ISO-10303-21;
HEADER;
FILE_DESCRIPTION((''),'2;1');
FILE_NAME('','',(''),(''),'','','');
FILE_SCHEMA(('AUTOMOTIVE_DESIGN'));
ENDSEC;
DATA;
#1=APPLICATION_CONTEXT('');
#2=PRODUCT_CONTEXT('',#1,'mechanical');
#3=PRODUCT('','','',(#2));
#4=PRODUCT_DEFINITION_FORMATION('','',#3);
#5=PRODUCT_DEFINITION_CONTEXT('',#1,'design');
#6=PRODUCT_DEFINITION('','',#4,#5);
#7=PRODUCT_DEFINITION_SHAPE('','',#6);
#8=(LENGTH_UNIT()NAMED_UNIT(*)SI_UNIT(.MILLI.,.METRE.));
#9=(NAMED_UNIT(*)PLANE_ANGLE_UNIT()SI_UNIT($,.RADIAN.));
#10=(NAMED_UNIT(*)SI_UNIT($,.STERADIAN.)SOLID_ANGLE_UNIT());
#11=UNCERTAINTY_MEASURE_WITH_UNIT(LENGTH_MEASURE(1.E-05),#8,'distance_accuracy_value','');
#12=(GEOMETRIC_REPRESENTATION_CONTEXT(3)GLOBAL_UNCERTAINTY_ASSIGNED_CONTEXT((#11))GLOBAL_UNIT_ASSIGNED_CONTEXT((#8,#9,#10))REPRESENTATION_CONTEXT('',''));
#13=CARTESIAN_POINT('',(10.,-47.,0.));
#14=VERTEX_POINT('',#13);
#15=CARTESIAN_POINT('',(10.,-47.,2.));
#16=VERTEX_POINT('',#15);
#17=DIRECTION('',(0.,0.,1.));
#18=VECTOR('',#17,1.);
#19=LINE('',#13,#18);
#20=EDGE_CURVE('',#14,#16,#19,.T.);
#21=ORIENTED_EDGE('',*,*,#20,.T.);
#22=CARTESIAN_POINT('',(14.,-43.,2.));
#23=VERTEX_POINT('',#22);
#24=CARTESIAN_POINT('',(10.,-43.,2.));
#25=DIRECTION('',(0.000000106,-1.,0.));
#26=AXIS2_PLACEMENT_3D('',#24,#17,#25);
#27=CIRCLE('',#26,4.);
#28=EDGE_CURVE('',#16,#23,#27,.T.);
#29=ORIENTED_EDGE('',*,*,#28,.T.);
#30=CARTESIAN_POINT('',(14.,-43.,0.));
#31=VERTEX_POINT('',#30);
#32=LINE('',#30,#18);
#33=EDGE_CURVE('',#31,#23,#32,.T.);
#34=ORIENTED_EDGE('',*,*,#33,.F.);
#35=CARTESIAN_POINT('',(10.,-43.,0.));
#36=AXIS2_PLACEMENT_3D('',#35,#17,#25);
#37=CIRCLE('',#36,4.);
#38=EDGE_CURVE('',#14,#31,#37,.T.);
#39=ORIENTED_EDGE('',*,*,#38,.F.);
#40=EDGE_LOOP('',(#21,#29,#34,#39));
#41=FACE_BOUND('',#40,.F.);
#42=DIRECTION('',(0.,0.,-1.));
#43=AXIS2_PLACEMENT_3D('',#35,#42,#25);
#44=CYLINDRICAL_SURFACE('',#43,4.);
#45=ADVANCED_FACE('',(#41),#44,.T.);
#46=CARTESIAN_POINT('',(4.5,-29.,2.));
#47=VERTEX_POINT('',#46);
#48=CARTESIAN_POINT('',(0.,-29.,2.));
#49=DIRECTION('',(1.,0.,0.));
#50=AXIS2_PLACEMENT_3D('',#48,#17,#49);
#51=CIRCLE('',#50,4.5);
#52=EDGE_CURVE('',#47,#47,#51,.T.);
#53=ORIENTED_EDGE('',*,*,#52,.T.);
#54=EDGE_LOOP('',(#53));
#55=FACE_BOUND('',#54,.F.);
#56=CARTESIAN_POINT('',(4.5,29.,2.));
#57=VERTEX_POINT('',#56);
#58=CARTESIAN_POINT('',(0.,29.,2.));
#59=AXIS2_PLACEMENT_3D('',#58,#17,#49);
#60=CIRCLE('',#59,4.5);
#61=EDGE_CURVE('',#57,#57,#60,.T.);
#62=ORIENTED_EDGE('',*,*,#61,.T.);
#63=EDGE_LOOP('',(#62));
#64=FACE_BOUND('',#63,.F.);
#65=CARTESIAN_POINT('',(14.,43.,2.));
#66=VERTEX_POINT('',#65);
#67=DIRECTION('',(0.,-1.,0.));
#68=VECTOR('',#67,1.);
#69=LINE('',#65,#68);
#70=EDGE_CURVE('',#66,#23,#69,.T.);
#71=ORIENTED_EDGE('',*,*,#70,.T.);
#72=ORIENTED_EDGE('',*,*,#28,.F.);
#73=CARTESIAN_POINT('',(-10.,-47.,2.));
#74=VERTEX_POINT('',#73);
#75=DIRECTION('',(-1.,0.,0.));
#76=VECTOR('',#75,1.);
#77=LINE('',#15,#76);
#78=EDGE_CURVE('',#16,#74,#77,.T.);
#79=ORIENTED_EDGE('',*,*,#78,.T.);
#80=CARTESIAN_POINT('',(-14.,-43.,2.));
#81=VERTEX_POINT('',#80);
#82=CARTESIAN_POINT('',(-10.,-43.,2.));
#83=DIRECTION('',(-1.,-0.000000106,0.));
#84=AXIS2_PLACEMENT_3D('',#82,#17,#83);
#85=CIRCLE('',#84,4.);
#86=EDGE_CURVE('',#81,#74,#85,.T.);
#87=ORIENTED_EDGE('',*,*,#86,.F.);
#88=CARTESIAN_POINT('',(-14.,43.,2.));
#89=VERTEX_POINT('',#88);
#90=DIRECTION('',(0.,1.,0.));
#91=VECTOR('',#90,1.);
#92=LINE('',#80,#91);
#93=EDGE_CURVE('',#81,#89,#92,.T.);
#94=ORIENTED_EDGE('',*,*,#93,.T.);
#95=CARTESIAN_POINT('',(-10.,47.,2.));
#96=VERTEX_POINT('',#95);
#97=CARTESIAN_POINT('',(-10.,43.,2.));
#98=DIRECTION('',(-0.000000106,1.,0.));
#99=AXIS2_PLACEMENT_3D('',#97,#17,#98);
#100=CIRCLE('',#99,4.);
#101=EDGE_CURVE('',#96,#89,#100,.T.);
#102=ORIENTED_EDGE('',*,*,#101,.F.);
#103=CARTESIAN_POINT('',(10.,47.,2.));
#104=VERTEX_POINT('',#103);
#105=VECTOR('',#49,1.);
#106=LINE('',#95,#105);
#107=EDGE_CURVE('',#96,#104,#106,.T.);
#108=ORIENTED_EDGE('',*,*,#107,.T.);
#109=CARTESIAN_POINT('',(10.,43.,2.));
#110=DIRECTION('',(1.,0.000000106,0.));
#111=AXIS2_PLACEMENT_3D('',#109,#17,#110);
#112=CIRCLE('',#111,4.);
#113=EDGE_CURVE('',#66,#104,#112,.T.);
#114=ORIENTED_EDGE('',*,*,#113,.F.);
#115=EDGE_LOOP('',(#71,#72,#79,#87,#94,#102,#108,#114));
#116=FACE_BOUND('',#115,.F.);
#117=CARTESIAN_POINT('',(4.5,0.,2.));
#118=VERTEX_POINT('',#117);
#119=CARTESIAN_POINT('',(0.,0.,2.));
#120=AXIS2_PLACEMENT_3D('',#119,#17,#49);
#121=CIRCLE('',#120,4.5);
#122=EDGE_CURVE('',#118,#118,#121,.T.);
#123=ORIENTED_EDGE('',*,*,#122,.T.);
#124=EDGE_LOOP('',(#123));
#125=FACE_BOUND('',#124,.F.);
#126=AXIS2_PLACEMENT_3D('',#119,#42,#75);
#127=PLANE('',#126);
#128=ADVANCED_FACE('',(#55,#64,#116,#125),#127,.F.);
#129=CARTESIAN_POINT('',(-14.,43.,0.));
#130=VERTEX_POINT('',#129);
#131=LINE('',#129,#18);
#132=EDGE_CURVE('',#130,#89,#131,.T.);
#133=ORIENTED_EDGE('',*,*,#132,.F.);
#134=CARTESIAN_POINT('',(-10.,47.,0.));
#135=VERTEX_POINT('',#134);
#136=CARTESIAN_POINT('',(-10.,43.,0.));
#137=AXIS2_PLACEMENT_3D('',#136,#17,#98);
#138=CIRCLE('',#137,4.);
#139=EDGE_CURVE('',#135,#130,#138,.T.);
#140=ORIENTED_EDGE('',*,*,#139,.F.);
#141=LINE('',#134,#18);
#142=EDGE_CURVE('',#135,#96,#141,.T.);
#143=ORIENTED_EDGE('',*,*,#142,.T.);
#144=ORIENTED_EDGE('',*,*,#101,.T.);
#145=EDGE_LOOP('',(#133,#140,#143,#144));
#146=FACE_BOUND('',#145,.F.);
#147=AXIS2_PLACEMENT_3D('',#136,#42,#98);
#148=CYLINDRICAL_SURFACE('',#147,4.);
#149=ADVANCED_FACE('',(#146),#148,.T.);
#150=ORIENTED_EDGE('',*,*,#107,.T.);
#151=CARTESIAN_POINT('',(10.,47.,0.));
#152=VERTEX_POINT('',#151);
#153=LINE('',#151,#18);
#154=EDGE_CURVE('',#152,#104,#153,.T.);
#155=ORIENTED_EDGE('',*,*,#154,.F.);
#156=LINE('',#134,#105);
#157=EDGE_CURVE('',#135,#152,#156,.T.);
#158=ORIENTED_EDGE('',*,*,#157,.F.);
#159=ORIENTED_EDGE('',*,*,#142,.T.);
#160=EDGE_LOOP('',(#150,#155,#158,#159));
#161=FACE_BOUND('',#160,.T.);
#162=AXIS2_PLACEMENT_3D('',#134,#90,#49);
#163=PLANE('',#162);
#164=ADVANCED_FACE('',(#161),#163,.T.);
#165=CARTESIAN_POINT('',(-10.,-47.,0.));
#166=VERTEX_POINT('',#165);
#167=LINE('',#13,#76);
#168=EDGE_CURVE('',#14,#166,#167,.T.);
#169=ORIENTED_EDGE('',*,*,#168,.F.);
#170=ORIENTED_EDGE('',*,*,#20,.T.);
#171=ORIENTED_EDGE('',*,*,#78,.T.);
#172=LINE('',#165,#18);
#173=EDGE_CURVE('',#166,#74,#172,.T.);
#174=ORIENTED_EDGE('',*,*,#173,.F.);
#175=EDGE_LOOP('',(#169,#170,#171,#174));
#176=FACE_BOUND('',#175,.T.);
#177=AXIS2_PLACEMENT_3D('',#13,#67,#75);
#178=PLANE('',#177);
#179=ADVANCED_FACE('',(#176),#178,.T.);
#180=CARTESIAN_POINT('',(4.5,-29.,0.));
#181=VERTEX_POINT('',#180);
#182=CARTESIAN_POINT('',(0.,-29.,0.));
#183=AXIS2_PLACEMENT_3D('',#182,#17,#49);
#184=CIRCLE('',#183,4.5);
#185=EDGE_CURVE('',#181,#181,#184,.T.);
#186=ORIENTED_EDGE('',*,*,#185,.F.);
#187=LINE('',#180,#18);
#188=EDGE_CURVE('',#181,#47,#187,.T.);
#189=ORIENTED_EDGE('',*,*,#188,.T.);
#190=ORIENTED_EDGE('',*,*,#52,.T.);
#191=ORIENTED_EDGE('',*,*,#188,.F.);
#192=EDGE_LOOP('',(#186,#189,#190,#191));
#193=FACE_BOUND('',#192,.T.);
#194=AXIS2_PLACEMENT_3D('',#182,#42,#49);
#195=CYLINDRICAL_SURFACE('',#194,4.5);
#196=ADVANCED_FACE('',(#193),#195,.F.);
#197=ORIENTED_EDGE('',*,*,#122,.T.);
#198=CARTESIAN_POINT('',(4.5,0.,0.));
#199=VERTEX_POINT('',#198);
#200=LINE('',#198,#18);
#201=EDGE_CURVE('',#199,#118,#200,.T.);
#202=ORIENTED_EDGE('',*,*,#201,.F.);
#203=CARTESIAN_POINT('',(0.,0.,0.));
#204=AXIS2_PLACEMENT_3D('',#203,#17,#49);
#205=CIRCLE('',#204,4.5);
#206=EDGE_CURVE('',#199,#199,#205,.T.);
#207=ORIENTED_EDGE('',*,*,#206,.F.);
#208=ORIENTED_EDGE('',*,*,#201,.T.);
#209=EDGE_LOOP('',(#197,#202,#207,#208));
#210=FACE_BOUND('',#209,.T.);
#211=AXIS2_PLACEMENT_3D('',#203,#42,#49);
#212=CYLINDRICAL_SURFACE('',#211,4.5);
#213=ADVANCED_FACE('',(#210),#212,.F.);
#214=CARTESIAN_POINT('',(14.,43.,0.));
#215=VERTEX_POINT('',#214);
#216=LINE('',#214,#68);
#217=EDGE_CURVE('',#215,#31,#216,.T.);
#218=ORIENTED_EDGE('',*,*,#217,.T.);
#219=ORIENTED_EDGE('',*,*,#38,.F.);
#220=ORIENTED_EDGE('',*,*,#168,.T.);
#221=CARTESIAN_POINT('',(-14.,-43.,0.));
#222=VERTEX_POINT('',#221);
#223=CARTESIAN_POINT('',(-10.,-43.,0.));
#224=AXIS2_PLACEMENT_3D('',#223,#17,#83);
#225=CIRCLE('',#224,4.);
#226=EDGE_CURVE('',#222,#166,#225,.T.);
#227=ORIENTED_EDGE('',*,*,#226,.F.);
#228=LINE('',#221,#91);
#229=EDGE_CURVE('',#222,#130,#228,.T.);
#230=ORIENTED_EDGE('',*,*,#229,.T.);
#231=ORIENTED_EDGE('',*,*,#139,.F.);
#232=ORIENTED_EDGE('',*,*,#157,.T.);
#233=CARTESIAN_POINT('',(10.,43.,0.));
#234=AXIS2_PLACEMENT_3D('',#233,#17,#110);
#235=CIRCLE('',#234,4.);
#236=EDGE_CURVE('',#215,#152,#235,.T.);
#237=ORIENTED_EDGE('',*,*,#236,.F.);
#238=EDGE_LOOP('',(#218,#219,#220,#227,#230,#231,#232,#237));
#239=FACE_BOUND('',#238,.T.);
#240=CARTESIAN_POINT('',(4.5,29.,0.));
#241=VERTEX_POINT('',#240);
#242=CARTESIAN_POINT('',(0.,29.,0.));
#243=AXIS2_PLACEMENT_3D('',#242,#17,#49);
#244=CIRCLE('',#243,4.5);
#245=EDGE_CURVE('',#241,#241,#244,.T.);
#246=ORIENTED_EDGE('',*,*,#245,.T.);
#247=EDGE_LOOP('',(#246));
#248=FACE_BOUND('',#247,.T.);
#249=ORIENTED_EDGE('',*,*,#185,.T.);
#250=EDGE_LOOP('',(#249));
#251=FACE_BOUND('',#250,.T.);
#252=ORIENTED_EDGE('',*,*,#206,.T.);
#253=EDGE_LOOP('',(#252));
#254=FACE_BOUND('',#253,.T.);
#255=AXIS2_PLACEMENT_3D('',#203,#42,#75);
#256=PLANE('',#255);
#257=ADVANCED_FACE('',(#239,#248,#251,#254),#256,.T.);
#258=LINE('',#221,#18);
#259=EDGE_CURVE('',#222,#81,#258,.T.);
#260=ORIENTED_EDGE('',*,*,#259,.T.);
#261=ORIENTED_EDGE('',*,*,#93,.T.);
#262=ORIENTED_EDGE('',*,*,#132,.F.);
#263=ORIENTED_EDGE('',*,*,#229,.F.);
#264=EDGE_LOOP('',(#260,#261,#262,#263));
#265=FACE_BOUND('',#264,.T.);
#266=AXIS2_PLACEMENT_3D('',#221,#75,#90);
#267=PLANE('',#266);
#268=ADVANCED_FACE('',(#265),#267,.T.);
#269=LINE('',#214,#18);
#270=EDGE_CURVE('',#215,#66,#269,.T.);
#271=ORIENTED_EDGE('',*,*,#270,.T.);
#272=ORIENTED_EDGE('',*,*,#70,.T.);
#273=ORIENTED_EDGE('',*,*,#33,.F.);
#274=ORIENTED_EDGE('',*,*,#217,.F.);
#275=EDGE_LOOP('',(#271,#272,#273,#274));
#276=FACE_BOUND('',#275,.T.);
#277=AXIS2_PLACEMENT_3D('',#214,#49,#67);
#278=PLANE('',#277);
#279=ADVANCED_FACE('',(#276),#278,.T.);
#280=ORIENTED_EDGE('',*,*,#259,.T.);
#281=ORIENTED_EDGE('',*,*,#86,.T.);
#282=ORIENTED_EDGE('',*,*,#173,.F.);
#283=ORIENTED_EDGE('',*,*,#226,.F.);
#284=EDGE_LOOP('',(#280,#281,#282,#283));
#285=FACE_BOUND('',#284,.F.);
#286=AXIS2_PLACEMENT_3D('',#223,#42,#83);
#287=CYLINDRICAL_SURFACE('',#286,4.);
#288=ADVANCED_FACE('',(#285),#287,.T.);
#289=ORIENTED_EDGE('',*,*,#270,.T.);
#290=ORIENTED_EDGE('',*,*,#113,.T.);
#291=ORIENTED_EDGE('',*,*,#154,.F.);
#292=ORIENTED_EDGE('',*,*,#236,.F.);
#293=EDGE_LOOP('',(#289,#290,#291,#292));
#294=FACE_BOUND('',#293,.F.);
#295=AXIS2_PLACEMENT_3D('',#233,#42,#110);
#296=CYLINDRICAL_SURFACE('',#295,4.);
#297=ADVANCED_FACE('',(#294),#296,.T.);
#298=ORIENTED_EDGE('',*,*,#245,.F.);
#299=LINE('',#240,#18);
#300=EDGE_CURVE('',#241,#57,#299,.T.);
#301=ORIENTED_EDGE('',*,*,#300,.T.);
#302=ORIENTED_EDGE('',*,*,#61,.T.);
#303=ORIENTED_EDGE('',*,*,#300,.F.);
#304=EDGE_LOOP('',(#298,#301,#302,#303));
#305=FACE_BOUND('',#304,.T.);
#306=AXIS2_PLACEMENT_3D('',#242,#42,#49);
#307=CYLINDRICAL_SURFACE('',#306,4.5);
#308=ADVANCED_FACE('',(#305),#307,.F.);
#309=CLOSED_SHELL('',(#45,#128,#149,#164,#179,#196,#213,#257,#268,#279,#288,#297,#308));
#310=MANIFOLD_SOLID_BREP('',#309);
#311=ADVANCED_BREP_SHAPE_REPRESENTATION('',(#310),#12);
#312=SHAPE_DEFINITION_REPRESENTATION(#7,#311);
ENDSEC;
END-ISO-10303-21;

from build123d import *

# Parameters (mm, degrees)
SKETCH_R  = 4.5
PAD_DEPTH = 2


with BuildPart() as part:
    # Sketch → Pad (new body)
    with BuildSketch(Plane.XY):
        with BuildLine():
            Line((-10, 47), (10, 47))
            ThreePointArc((14, 43), (12.828427, 45.828427), (10, 47))
            Line((14, 43), (14, -43))
            ThreePointArc((10, -47), (12.828427, -45.828427), (14, -43))
            Line((10, -47), (-10, -47))
            ThreePointArc((-14, -43), (-12.828427, -45.828427), (-10, -47))
            Line((-14, -43), (-14, 43))
            ThreePointArc((-10, 47), (-12.828427, 45.828427), (-14, 43))
        make_face()
        Circle(SKETCH_R, mode=Mode.SUBTRACT)
        with Locations((0, 29)):
            Circle(SKETCH_R, mode=Mode.SUBTRACT)
        with Locations((0, -29)):
            Circle(SKETCH_R, mode=Mode.SUBTRACT)
    extrude(amount=PAD_DEPTH)


solid = part.part
